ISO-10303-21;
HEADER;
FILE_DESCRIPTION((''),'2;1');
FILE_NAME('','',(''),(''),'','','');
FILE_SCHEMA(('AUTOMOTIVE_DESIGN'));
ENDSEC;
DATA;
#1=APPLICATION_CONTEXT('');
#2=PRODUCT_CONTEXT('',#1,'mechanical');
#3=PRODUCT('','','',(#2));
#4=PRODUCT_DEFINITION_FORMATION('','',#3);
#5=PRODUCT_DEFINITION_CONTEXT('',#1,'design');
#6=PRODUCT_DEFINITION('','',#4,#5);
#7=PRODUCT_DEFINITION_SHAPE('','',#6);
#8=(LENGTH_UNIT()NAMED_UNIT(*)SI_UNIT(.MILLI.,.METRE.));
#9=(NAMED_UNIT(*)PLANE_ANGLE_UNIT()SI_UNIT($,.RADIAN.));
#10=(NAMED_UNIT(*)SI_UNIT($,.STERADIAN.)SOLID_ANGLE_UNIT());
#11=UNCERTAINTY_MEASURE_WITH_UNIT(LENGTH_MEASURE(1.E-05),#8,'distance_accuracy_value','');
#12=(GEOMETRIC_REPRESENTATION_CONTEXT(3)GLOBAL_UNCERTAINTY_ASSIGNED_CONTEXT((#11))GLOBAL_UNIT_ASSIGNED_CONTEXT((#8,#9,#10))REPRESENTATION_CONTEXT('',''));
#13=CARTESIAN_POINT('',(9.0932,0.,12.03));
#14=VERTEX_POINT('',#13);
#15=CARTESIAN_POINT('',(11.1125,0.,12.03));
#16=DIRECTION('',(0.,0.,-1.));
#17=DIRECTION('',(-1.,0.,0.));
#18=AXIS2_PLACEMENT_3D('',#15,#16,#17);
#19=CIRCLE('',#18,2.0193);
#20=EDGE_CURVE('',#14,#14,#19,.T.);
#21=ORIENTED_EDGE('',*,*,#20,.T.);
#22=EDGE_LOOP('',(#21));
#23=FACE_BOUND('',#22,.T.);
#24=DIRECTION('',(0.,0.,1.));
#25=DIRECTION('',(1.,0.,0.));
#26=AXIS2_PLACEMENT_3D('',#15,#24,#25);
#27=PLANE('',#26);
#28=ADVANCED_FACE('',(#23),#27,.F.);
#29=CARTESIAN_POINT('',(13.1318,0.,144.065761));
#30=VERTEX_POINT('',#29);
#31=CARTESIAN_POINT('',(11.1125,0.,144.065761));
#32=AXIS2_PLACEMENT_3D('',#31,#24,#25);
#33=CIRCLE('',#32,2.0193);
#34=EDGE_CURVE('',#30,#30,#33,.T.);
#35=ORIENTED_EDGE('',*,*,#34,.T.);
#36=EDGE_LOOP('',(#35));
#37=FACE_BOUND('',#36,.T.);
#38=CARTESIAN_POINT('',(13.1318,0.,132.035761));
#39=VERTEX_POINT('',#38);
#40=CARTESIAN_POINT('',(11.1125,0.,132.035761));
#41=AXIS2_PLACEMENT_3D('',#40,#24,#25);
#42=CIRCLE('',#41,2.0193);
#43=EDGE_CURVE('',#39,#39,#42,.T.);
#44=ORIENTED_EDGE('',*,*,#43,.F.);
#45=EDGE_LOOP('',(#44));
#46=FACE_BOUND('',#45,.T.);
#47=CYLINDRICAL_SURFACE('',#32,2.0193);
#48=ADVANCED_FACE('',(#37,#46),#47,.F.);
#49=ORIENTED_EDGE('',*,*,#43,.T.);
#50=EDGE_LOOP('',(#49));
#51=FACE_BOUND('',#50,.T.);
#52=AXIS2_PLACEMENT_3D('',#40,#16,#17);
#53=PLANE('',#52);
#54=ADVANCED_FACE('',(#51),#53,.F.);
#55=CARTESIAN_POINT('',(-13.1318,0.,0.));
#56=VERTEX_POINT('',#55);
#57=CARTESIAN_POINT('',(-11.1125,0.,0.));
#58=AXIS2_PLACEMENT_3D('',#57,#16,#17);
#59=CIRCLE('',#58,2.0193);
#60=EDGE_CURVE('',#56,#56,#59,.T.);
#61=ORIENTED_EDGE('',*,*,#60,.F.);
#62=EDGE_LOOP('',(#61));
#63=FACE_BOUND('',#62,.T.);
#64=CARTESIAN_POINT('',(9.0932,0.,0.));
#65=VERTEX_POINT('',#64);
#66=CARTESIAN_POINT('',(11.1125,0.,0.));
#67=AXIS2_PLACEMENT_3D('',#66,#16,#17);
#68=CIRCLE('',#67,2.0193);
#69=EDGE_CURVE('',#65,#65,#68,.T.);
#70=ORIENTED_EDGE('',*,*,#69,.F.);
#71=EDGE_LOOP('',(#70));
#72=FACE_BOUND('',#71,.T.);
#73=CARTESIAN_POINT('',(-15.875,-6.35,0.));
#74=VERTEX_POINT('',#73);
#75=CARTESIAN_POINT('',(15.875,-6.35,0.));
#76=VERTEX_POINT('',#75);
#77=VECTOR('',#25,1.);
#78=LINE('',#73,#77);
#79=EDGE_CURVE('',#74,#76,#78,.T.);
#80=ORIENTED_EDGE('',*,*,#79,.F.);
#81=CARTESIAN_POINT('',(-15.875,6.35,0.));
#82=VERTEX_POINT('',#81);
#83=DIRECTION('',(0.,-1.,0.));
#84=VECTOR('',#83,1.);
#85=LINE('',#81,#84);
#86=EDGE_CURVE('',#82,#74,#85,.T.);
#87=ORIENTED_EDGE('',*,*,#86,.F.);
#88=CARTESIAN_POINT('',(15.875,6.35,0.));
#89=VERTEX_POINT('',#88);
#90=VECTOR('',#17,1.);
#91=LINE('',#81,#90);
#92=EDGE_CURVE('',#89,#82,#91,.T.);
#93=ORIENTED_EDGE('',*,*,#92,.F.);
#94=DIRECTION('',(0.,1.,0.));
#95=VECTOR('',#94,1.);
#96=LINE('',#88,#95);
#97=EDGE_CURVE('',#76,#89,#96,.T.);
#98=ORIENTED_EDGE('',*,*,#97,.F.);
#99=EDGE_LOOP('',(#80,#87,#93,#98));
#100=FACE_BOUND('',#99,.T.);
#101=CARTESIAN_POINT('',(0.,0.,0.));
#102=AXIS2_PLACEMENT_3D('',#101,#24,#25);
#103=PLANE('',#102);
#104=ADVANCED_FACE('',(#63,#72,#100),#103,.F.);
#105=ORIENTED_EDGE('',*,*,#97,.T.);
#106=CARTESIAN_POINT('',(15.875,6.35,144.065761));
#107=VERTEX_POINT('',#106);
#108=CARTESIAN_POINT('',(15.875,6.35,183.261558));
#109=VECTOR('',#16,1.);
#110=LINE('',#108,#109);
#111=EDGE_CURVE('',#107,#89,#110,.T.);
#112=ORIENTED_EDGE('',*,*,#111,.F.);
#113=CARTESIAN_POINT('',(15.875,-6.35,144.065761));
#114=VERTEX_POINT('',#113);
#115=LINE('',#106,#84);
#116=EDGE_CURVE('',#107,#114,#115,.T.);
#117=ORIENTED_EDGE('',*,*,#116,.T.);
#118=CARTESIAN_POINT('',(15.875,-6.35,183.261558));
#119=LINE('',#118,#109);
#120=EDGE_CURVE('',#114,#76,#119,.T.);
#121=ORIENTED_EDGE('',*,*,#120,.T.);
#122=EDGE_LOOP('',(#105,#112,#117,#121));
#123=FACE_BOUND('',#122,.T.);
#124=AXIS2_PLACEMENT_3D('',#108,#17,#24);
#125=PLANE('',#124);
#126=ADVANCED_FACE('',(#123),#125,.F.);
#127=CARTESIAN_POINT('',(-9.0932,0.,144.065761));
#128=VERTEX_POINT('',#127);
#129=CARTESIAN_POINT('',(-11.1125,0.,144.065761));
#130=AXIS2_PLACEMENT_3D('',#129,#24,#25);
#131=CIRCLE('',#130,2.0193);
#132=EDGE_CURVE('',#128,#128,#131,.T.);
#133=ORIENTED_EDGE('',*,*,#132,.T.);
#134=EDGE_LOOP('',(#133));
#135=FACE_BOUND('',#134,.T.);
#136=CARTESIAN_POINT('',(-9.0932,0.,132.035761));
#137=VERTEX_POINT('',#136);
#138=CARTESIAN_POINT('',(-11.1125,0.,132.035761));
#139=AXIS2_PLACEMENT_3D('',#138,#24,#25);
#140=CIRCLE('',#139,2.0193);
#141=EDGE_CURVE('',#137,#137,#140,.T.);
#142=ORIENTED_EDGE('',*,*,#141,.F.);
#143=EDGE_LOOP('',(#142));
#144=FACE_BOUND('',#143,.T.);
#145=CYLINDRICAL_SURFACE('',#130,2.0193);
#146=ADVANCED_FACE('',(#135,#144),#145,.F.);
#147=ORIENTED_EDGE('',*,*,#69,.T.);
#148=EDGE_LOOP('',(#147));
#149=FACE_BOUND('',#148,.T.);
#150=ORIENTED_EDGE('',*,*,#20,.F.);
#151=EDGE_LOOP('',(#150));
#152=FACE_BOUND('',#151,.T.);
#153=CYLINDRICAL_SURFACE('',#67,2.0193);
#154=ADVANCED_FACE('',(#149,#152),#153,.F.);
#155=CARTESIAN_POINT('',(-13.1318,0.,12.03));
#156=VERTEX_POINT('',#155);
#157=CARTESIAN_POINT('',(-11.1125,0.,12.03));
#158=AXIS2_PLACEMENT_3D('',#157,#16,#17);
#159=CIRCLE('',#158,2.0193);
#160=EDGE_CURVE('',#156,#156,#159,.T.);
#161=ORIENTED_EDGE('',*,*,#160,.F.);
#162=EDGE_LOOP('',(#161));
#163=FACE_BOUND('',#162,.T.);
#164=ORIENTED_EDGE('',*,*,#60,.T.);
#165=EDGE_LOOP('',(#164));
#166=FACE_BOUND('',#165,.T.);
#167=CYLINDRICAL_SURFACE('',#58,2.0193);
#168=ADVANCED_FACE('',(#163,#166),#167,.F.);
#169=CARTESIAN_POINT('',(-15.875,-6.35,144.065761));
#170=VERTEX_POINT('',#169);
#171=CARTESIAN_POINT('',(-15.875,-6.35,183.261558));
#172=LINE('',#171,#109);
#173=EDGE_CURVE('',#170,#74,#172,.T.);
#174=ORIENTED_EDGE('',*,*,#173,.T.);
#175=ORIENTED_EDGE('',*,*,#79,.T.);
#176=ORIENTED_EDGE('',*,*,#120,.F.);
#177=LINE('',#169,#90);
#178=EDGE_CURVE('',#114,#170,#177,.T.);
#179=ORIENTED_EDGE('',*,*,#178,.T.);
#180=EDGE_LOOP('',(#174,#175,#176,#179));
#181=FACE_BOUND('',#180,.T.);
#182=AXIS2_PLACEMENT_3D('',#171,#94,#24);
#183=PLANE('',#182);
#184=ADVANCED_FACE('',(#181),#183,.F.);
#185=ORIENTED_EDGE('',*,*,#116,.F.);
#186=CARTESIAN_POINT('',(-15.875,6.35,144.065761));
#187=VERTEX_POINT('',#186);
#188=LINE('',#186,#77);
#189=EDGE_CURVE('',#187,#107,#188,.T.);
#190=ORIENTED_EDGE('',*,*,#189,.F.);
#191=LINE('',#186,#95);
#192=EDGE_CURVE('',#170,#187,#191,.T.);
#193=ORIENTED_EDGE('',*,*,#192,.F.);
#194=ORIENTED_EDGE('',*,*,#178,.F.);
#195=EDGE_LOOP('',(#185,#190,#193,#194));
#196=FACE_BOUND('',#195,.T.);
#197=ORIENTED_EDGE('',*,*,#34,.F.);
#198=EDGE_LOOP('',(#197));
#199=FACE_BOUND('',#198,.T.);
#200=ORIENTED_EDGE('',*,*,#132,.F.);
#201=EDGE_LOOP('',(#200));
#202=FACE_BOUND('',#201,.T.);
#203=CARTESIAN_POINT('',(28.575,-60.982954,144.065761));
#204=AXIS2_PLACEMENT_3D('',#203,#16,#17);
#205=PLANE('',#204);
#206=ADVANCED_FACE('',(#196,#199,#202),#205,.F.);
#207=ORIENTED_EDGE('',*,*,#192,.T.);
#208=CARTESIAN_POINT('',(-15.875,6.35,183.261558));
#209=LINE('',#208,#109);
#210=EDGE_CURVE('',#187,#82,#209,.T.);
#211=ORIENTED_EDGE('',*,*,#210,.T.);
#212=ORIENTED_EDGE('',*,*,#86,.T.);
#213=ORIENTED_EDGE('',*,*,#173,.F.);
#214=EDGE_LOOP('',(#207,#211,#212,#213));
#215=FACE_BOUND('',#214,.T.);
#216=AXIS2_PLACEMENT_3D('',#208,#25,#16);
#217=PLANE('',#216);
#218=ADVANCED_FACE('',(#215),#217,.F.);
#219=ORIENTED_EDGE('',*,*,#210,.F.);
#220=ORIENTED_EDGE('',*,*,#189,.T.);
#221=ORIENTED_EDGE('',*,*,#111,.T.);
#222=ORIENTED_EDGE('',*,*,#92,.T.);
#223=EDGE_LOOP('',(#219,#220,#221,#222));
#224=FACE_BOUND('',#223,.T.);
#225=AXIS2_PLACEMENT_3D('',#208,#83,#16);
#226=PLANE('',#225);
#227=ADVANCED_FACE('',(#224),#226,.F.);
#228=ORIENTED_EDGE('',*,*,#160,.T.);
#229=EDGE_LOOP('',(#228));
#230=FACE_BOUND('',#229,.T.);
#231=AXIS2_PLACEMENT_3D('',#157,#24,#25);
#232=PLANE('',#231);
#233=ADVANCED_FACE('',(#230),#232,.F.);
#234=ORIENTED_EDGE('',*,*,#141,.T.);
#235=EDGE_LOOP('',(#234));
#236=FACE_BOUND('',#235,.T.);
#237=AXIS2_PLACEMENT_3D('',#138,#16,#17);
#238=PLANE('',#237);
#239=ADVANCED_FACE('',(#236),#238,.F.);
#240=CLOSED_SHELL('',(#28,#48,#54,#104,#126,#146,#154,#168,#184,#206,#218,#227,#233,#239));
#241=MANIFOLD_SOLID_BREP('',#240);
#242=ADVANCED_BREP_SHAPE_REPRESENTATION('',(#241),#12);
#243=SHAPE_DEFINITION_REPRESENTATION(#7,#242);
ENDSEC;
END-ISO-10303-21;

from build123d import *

# Parameters (mm, degrees)
SKETCH1_W                  = 31.75
SKETCH1_H                  = 12.7
BOSS_EXTRUDE1_DEPTH        = 144.065761159
F_10_32_TAPPED_HOLE1_D     = 4.0386
F_10_32_TAPPED_HOLE1_DEPTH = 12.03


with BuildPart() as part:
    # Sketch1 → Boss-Extrude1 (new body)
    with BuildSketch(Plane.XY):
        Rectangle(SKETCH1_W, SKETCH1_H)
    extrude(amount=BOSS_EXTRUDE1_DEPTH)

    # #10-32 Tapped Hole1
    with Locations(Plane(origin=(0, -9.125, 144.065761159), x_dir=(1, 0, 0), z_dir=(0, 0, 1))):
        with Locations((-11.1125, 9.125), (11.1125, 9.125)):
            f_10_32_tapped_hole1 = Hole(F_10_32_TAPPED_HOLE1_D / 2, depth=F_10_32_TAPPED_HOLE1_DEPTH)

    # Mirror1: #10-32 Tapped Hole1 across plane
    add(f_10_32_tapped_hole1.mirror(Plane.XY.offset(72.03288058)), mode=Mode.SUBTRACT)


solid = part.part
